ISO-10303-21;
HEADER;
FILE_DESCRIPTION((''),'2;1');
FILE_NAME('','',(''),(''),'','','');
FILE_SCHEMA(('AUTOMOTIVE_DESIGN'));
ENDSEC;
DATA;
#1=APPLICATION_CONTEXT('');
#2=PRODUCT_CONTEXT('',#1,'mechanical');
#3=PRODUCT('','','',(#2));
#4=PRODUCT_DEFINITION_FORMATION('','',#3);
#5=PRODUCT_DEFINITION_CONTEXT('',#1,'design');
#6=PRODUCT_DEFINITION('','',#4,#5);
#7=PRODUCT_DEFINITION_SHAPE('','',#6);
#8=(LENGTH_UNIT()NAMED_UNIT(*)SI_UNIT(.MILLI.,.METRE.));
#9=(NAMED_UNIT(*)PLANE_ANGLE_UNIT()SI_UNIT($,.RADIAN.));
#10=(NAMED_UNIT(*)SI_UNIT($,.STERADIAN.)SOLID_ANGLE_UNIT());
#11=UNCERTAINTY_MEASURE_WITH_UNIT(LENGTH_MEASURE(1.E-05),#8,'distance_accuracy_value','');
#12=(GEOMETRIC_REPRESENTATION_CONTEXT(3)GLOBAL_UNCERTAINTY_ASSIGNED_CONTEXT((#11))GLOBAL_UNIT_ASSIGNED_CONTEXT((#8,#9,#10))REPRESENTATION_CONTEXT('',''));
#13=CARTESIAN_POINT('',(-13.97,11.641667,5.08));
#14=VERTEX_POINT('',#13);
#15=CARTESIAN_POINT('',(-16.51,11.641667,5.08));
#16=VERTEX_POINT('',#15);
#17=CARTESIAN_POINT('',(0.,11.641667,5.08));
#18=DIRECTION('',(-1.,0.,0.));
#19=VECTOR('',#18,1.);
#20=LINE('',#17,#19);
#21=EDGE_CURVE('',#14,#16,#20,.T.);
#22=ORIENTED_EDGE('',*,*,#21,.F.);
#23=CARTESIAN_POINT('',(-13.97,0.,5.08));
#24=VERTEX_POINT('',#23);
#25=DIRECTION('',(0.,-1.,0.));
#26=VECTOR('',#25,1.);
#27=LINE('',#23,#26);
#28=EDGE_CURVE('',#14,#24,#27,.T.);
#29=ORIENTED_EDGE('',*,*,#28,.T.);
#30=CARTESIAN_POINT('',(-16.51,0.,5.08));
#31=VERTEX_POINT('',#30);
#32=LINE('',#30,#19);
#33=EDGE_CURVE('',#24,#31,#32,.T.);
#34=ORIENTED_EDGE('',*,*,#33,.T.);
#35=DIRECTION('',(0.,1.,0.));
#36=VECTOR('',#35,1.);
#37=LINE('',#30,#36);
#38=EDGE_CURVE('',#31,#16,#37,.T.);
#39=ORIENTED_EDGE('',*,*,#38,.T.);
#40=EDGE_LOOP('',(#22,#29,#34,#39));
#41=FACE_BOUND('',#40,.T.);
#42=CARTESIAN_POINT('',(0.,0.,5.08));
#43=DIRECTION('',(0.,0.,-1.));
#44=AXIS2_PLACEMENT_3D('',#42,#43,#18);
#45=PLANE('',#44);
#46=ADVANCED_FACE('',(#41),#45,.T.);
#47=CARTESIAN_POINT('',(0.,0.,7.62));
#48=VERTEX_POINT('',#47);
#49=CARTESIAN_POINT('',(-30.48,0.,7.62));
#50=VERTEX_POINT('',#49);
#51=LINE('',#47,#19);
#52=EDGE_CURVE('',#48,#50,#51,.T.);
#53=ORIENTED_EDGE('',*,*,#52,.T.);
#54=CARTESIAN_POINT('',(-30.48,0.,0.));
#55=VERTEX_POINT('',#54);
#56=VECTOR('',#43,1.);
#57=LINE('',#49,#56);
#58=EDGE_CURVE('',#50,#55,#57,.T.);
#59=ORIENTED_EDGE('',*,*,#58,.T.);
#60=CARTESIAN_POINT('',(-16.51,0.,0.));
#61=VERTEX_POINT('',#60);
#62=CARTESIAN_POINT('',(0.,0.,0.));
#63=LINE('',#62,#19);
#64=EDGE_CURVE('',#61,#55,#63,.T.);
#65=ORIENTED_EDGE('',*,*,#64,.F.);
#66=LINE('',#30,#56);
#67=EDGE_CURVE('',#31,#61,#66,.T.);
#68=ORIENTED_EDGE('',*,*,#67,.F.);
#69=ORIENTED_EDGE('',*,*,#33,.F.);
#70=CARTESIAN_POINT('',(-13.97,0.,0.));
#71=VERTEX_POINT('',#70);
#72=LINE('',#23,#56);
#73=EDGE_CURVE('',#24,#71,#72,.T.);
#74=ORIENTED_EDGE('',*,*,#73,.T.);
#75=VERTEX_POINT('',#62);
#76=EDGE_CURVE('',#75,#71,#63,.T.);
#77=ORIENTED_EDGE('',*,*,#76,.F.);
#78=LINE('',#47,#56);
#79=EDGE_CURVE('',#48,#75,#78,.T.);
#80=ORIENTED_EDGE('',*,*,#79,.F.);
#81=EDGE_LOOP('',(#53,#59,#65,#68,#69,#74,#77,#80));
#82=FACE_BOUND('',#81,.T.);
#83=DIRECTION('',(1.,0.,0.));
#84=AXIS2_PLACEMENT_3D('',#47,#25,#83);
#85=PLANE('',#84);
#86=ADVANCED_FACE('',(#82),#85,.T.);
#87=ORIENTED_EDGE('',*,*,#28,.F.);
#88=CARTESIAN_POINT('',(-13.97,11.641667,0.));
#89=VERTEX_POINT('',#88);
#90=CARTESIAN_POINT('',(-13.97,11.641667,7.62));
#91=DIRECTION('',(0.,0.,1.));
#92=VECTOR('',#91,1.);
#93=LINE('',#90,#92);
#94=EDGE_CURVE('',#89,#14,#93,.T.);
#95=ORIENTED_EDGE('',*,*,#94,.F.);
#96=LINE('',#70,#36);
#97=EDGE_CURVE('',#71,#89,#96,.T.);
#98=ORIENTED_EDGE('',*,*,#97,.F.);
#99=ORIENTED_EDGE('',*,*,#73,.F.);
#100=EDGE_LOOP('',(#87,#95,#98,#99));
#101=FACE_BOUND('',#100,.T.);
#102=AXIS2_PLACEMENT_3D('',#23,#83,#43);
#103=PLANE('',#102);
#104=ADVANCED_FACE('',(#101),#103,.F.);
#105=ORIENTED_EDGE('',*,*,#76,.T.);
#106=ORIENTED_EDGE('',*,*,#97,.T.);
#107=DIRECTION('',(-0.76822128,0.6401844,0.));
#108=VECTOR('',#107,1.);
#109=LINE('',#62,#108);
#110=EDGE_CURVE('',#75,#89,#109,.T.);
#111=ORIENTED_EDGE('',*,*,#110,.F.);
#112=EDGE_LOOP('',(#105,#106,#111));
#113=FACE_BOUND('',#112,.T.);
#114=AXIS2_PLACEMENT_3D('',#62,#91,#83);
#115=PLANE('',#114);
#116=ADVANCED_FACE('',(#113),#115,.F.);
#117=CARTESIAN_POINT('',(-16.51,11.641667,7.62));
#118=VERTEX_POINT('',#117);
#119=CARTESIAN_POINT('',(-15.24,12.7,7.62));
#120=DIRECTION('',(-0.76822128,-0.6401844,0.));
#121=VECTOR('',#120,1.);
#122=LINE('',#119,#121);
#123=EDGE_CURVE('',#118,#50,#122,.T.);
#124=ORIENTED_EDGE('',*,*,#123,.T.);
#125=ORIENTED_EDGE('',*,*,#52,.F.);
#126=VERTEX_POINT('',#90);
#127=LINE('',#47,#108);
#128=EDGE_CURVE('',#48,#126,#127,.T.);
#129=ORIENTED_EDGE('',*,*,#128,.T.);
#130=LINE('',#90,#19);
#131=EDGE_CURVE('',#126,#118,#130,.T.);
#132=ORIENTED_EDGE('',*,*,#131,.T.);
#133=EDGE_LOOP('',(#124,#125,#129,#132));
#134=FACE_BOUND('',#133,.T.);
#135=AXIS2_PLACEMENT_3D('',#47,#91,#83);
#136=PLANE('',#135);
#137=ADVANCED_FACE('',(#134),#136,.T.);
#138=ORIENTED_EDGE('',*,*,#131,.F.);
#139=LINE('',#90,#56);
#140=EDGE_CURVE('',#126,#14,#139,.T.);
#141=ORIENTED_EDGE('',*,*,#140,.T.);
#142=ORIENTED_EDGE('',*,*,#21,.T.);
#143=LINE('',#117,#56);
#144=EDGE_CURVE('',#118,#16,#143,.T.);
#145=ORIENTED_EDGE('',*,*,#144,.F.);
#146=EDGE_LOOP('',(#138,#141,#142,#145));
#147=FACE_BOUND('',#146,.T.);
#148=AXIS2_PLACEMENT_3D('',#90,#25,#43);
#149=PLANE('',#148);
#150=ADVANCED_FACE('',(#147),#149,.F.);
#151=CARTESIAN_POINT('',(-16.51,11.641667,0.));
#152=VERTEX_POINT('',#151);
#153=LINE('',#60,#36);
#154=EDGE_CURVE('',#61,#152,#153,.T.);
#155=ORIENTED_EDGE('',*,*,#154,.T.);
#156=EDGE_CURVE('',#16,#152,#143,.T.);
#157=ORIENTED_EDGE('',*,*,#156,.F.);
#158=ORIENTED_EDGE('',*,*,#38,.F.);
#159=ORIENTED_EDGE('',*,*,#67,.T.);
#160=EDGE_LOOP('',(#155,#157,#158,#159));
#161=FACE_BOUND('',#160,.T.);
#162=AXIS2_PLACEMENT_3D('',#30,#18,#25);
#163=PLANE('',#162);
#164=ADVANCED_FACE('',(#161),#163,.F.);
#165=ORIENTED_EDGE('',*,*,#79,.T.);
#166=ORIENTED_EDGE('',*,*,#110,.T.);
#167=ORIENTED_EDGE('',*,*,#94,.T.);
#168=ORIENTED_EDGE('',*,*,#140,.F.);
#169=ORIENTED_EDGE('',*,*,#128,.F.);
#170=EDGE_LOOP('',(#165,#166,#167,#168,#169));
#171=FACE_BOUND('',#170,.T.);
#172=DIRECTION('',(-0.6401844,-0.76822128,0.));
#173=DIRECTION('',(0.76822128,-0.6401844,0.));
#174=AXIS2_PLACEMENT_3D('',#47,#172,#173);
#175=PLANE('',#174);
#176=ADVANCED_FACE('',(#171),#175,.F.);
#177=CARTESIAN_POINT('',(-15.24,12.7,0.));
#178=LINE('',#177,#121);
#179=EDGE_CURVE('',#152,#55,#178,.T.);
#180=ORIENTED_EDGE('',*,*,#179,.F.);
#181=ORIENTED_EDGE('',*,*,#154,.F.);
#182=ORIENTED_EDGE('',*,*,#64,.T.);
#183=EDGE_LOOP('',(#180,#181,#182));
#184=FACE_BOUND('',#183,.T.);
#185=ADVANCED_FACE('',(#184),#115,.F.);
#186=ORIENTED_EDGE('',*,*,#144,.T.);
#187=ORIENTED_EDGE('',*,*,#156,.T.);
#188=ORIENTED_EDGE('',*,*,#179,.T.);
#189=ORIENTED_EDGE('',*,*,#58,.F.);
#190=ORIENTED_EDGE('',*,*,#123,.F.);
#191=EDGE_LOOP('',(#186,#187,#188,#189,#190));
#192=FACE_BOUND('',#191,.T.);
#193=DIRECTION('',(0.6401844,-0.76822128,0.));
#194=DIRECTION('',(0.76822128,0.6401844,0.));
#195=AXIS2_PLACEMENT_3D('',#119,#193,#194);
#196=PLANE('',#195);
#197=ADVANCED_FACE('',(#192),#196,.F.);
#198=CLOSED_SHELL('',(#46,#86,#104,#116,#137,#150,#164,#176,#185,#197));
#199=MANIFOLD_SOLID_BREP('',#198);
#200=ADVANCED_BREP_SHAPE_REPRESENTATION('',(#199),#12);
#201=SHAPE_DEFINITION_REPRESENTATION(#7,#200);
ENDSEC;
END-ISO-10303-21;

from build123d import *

# Parameters (mm, degrees)
BOSS_EXTRUDE1_DEPTH     = 7.62
SKETCH5_W               = 2.54
SKETCH5_H               = 12.7
CUT_EXTRUDE2_DEPTH      = 5.08
CUT_EXTRUDE3_DEPTH      = 34.408483952
CUT_EXTRUDE3_DEPTH_BACK = 34.408483952
SKETCH6_W               = 2.54
SKETCH6_H               = 1.058333333


with BuildPart() as part:
    # Sketch2 → Boss-Extrude1 (new body)
    with BuildSketch(Plane.XY):
        Polygon((0, 0), (-30.48, 0), (-15.24, 12.7), align=None)
    extrude(amount=BOSS_EXTRUDE1_DEPTH)

    # Sketch5 → Cut-Extrude2 (cut)
    with BuildSketch(Plane(origin=(0, 0, 0), x_dir=(-1, 0, 0), z_dir=(0, 0, -1))):
        with Locations((15.24, 6.35)):
            Rectangle(SKETCH5_W, SKETCH5_H)
    extrude(amount=-CUT_EXTRUDE2_DEPTH, mode=Mode.SUBTRACT)

    # Sketch6 → Cut-Extrude3 (cut, two sides: drawn at the far end of the back side and taken through both)
    with BuildSketch(Plane(origin=(0, 0, 5.08), x_dir=(-1, 0, 0), z_dir=(0, 0, -1)).offset(-CUT_EXTRUDE3_DEPTH_BACK)):
        with Locations((15.24, 12.170833334)):
            Rectangle(SKETCH6_W, SKETCH6_H)
    extrude(amount=CUT_EXTRUDE3_DEPTH + CUT_EXTRUDE3_DEPTH_BACK, mode=Mode.SUBTRACT)


solid = part.part
